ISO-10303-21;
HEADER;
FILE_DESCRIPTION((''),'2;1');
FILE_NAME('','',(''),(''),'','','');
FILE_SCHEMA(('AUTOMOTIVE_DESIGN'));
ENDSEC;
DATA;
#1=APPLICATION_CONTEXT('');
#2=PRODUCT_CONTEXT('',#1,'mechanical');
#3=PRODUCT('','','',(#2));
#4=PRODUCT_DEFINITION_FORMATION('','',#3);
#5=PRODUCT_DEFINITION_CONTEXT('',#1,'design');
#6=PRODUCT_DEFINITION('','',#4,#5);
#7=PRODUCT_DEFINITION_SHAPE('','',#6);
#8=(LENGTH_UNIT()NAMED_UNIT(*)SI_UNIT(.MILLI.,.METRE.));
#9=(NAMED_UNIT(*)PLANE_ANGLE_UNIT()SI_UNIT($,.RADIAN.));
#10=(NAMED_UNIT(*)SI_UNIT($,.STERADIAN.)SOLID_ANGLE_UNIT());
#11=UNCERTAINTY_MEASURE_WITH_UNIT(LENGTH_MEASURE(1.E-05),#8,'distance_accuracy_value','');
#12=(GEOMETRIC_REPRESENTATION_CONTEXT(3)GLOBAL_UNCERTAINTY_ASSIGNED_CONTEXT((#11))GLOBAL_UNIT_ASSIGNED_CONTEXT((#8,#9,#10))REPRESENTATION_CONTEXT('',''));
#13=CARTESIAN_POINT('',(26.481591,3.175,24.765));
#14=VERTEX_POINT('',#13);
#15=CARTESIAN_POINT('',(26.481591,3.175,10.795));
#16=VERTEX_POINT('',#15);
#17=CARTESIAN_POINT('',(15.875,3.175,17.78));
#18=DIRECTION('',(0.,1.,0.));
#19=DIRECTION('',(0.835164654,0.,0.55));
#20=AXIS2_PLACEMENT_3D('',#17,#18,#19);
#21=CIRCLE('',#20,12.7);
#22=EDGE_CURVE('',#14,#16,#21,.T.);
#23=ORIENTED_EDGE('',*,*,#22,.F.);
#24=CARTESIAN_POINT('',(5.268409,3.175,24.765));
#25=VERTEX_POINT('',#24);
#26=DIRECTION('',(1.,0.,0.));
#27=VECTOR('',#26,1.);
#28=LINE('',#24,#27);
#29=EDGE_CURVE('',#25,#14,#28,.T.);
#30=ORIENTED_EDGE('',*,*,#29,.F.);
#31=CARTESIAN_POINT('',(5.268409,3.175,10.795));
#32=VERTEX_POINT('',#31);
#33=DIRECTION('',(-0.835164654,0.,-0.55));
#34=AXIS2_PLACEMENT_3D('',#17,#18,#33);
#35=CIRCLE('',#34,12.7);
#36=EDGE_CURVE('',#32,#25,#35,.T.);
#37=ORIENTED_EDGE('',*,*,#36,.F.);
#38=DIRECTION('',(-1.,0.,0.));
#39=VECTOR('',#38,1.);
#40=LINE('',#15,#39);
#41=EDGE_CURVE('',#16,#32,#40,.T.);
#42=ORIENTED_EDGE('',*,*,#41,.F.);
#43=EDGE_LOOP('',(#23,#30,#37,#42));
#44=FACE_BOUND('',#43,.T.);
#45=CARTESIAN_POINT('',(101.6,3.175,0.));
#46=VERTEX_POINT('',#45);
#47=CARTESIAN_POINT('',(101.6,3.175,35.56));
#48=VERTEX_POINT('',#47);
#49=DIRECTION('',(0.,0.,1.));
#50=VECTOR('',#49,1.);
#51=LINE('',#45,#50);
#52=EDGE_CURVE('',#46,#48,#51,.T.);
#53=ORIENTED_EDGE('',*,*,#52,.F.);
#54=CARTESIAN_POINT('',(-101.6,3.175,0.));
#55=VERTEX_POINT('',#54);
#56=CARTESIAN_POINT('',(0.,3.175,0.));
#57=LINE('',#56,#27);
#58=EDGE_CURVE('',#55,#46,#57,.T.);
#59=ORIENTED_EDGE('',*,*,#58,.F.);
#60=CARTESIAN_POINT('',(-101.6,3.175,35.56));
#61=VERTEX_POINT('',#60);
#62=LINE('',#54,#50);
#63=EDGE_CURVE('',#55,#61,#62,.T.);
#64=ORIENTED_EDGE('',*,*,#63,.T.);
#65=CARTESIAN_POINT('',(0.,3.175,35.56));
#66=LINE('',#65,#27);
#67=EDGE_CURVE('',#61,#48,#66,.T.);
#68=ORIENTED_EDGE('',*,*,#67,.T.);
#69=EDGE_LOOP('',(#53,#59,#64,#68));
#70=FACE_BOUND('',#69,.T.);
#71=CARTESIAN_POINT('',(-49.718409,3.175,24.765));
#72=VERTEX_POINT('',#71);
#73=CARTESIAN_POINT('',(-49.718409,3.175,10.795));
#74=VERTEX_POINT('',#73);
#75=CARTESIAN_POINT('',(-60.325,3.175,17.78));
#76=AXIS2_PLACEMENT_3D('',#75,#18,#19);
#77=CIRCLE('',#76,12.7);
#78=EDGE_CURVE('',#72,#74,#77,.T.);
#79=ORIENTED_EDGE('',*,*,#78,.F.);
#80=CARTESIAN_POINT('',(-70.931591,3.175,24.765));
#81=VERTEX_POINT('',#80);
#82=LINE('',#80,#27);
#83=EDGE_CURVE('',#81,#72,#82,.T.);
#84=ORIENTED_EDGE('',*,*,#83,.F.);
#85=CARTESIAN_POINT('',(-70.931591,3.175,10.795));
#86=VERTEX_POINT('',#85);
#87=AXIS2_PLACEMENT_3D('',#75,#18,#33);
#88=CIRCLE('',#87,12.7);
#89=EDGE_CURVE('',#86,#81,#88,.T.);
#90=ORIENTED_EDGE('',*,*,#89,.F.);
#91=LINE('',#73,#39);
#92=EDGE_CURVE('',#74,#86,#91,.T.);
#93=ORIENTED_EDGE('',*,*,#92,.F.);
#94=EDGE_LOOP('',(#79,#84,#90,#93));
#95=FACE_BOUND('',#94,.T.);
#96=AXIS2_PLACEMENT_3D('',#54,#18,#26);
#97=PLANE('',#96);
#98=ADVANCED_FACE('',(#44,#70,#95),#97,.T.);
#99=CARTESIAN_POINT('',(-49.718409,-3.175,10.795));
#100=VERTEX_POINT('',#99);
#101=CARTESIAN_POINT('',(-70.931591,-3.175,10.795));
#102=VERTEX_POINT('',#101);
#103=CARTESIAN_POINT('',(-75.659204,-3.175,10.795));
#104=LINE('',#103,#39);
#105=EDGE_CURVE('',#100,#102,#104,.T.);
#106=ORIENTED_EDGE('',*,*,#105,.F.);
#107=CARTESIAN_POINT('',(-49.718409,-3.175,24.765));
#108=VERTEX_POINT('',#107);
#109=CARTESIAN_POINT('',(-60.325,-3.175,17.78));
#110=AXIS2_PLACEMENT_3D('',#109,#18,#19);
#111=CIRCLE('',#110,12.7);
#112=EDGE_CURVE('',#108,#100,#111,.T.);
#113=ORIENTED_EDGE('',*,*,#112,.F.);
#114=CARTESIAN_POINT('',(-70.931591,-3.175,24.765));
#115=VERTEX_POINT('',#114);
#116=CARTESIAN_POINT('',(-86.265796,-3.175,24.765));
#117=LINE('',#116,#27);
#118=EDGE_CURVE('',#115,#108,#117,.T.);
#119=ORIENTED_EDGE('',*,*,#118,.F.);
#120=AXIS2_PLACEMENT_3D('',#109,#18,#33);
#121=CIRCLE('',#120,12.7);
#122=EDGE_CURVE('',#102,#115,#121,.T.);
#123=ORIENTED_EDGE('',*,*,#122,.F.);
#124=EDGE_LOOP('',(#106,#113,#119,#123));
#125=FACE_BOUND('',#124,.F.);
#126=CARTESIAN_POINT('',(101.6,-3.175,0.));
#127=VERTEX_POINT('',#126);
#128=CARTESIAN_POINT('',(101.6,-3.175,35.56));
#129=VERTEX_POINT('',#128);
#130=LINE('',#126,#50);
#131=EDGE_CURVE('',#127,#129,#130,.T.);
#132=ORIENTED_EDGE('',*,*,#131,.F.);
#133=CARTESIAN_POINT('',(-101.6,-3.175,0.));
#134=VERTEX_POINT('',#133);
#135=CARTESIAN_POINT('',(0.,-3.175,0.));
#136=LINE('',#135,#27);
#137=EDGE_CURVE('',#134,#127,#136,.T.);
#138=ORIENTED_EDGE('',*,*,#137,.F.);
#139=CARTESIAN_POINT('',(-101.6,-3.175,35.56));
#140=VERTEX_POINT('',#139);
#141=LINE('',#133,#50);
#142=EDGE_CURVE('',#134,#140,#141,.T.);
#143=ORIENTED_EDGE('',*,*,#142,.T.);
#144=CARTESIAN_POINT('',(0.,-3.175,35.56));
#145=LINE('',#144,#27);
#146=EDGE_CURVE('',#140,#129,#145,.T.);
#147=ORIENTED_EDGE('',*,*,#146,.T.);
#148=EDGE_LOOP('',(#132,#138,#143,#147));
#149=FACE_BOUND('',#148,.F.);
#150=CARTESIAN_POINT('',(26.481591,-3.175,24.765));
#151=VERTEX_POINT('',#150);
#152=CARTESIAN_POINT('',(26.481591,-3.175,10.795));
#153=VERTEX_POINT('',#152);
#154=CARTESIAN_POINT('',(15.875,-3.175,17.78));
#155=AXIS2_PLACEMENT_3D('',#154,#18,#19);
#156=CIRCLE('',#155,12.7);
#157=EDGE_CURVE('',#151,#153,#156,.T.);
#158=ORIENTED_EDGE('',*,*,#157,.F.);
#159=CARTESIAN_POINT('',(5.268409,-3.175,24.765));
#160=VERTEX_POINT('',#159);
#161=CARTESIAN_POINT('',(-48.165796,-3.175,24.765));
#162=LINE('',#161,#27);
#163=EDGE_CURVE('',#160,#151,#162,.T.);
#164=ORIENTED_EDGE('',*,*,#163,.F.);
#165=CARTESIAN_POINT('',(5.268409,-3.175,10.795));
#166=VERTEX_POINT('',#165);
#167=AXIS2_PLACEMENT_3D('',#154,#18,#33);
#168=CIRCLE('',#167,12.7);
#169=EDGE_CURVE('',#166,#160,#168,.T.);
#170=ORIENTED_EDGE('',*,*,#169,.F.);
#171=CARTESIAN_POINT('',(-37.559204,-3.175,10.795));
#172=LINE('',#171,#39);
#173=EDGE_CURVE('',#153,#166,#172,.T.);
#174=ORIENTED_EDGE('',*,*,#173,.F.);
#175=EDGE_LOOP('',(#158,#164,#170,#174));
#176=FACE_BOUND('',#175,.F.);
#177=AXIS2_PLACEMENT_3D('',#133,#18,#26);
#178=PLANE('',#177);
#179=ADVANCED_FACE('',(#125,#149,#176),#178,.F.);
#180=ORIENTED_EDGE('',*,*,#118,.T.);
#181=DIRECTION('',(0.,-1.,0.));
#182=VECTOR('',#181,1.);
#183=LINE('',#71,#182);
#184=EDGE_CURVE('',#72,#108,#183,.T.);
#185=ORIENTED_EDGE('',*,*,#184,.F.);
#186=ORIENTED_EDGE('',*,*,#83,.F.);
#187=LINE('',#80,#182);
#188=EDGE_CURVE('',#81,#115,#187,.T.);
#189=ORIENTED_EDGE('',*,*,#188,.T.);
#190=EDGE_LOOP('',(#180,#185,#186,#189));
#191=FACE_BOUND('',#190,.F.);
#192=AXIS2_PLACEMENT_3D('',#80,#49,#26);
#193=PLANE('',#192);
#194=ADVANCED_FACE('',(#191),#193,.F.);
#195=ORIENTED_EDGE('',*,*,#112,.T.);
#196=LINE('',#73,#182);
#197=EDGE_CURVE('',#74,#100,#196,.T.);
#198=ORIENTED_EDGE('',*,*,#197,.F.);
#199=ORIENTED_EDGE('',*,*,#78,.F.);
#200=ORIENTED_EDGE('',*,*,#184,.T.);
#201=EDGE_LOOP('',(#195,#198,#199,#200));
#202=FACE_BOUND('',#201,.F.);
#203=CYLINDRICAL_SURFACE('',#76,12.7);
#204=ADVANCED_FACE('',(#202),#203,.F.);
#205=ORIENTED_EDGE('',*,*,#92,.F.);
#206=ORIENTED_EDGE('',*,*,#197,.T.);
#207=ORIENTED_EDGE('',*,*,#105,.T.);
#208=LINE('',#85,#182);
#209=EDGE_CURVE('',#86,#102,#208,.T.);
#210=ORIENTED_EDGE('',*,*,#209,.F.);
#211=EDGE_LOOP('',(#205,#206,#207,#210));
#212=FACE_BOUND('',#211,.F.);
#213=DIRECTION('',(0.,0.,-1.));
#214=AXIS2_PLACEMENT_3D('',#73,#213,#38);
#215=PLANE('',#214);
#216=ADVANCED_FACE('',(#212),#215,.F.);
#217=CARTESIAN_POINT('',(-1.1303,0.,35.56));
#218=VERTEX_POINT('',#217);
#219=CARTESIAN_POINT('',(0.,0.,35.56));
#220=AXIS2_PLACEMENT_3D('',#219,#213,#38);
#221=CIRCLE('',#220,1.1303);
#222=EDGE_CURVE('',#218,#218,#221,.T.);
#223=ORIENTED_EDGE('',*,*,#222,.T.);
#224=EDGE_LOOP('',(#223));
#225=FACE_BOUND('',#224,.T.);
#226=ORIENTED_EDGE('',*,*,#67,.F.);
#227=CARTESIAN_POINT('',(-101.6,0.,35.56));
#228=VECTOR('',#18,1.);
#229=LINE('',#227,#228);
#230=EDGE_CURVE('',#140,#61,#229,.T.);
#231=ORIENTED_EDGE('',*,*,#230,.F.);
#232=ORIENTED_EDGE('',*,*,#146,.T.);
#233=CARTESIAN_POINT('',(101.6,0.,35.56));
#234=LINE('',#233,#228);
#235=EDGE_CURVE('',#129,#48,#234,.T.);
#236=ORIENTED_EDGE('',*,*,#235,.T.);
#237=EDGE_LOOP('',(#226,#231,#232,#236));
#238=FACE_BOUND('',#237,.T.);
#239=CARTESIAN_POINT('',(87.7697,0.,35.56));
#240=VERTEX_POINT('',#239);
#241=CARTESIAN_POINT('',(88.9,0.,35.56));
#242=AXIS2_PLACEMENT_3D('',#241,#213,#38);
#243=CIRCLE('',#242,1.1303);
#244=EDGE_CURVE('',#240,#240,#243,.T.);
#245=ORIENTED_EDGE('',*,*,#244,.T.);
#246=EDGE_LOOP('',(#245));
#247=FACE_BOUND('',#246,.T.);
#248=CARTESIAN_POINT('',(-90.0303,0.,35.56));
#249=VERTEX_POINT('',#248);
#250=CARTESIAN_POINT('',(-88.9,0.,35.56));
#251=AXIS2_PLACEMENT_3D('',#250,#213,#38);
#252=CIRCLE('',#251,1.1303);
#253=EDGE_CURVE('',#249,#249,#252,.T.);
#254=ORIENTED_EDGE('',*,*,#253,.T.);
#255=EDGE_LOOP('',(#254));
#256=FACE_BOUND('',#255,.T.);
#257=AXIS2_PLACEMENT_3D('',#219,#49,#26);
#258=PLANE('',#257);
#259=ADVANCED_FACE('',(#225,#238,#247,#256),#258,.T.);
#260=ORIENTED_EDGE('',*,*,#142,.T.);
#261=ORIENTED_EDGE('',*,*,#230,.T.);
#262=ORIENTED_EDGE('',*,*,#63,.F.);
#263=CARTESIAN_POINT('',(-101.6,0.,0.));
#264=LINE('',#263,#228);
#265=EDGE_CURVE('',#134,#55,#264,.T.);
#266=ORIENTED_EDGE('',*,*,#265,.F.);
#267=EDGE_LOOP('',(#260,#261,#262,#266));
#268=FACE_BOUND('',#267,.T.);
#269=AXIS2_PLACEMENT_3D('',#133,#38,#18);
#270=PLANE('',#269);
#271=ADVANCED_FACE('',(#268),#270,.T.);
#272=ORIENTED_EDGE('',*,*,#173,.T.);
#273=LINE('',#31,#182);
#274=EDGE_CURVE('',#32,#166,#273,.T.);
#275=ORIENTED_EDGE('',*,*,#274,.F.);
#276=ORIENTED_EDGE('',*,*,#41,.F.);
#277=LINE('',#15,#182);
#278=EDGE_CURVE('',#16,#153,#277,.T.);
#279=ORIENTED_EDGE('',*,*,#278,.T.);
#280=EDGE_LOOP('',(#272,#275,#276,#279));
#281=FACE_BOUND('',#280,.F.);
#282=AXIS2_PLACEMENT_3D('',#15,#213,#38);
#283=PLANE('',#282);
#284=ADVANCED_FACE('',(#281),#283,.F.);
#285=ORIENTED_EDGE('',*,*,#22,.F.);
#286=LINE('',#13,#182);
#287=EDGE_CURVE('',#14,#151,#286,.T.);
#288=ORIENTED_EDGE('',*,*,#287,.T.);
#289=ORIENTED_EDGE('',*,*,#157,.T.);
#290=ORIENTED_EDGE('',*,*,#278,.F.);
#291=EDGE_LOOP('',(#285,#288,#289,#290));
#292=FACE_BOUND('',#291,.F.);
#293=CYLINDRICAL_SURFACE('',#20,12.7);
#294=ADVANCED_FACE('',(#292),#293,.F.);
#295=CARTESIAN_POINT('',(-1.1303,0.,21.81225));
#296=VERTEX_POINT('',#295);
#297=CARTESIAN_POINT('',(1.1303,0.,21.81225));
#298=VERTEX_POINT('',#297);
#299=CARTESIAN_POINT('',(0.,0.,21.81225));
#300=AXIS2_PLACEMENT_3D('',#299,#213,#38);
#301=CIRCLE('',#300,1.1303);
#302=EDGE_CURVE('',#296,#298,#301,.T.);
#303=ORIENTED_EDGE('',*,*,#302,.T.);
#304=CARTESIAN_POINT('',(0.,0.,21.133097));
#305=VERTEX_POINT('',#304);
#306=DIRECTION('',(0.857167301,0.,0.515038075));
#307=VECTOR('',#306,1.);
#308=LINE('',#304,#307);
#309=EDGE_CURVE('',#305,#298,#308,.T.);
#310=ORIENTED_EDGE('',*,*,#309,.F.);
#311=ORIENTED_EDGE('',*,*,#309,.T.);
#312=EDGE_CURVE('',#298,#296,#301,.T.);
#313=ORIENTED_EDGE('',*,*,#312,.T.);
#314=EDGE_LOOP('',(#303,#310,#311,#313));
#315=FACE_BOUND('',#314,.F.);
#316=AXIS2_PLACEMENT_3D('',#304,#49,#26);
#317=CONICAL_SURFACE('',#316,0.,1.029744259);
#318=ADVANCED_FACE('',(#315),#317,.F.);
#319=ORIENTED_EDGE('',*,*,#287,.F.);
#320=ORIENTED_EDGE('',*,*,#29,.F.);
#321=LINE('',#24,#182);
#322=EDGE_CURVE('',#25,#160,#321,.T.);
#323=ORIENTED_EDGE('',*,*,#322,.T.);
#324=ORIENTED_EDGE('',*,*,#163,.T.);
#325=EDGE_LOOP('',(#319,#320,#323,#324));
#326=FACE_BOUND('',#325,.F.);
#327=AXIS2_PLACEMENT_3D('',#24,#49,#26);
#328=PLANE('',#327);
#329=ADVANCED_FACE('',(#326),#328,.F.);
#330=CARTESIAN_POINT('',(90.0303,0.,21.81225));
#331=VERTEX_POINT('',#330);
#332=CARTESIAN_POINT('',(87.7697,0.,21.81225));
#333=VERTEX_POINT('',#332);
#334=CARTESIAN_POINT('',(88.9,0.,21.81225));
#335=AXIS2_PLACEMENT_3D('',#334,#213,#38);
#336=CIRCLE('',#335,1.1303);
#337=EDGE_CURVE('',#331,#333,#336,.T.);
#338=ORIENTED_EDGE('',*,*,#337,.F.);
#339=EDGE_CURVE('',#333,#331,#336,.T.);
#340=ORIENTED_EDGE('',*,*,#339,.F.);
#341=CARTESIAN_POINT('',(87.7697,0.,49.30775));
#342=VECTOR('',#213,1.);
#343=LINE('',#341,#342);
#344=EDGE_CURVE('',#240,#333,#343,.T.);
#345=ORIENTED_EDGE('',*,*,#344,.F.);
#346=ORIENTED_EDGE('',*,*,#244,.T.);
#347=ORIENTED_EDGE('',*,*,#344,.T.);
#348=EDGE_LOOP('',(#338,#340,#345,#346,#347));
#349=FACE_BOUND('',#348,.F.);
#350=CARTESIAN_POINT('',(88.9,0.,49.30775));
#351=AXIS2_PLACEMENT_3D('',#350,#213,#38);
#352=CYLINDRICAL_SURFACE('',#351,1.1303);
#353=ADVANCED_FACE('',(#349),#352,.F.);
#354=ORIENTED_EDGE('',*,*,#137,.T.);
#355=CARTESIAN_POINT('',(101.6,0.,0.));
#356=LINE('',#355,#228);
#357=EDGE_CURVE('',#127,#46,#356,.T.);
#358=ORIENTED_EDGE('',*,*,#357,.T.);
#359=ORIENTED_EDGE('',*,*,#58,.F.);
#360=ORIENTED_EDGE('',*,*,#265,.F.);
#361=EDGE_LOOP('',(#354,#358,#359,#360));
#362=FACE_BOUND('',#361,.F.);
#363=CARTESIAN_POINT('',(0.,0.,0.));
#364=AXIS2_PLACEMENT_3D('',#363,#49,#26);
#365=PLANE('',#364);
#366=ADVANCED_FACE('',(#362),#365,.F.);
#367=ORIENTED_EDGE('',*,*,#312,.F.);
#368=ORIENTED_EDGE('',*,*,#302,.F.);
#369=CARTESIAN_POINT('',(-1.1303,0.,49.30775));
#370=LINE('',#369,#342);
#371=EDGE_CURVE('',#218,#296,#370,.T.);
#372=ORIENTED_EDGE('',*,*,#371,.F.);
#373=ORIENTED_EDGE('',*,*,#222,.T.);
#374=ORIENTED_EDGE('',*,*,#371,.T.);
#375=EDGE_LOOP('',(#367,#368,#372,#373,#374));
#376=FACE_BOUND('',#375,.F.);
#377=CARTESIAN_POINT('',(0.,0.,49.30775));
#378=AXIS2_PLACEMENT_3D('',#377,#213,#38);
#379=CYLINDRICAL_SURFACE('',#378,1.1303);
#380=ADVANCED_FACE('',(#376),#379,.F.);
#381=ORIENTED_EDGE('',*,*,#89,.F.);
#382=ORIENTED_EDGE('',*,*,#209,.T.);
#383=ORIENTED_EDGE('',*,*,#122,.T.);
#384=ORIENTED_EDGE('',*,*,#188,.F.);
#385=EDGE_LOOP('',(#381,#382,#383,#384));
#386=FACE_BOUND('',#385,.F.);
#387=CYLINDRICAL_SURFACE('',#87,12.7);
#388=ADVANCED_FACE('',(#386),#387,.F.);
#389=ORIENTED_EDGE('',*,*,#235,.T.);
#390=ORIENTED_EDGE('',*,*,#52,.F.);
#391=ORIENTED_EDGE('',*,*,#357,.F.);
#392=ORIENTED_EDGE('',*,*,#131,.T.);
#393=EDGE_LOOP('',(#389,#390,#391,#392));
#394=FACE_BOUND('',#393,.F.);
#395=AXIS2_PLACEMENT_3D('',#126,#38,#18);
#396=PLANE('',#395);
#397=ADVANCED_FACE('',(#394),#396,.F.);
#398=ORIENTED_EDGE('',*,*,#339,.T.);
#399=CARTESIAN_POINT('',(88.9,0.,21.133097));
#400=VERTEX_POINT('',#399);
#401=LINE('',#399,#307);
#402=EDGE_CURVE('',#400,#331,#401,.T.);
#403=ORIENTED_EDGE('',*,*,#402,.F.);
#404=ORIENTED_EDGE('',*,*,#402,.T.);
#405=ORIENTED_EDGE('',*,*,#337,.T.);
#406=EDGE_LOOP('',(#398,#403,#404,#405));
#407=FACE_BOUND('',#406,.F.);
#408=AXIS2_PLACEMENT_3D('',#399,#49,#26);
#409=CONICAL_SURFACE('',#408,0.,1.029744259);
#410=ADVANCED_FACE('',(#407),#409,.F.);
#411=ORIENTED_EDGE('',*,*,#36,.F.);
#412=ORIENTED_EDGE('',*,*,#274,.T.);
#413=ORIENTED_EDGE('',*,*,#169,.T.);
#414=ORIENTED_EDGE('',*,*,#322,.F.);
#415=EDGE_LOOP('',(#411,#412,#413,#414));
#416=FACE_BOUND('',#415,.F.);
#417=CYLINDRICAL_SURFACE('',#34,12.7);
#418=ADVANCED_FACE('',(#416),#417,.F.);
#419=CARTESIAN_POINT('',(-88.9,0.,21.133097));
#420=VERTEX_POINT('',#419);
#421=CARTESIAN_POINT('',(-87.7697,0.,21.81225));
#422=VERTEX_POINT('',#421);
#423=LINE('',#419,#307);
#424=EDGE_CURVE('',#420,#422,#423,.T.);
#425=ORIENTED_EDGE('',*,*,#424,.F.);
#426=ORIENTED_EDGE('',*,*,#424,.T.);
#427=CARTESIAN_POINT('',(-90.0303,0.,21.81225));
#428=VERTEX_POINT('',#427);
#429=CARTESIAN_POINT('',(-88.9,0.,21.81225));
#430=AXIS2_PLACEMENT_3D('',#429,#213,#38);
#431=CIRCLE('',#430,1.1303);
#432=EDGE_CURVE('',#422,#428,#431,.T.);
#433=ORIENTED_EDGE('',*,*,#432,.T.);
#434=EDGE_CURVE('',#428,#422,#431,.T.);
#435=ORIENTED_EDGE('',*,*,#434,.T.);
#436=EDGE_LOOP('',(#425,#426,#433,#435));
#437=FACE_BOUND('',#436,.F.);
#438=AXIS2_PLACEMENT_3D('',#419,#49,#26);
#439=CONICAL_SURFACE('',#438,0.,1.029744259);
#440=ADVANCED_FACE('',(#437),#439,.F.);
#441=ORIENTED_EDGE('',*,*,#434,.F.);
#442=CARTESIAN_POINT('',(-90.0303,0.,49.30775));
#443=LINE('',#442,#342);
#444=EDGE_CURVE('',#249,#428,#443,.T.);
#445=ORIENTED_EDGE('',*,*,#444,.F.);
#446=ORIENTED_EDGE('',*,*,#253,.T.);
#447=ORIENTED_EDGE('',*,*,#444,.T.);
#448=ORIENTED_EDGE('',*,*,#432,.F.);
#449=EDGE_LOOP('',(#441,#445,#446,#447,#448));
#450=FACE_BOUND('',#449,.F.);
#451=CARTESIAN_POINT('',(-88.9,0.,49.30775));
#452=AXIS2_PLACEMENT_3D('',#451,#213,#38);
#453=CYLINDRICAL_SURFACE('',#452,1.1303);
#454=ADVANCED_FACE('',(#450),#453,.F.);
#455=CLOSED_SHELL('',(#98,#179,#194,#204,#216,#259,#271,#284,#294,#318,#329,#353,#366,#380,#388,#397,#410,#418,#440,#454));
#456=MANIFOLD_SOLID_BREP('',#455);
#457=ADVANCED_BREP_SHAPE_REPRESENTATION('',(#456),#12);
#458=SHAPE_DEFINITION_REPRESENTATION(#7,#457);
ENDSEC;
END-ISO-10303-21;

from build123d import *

# Parameters (mm, degrees)
F0_W     = 203.2
F0_H     = 6.35
F1_DEPTH = 35.56
F3_D     = 2.2606
F3_DEPTH = 13.74775
F3_TIP   = 0.6791527577
F5_DEPTH = 6.351


with BuildPart() as f1:
    # F0 (on Top) → F1 (new body)
    with BuildSketch(Plane.XY):
        Rectangle(F0_W, F0_H)
    extrude(amount=F1_DEPTH)

    # F3
    with Locations(Plane.XY.offset(35.56)):
        with Locations((0, 0), (88.9, 0), (-88.9, 0)):
            Hole(F3_D / 2, depth=F3_DEPTH)
            with Locations((0, 0, -(F3_DEPTH + F3_TIP / 2))):  # 118° drill point
                Cone(0, F3_D / 2, F3_TIP, mode=Mode.SUBTRACT)

    # F4 (on face) → F5 (cut, through all)
    with BuildSketch(Plane(origin=(0, 3.175, 0), x_dir=(-1, 0, 0), z_dir=(0, 1, 0))):
        with BuildLine():
            Line((70.9315911112, 24.765), (49.7184088888, 24.765))
            ThreePointArc((49.7184088888, 24.765), (47.625, 17.78), (49.7184088888, 10.795))
            Line((49.7184088888, 10.795), (70.9315911112, 10.795))
            ThreePointArc((70.9315911112, 10.795), (73.025, 17.78), (70.9315911112, 24.765))
        make_face()
        with BuildLine():
            Line((-26.4815911112, 10.795), (-5.2684088888, 10.795))
            ThreePointArc((-5.2684088888, 10.795), (-3.175, 17.78), (-5.2684088888, 24.765))
            Line((-5.2684088888, 24.765), (-26.4815911112, 24.765))
            ThreePointArc((-26.4815911112, 24.765), (-28.575, 17.78), (-26.4815911112, 10.795))
        make_face()
    extrude(amount=-F5_DEPTH, mode=Mode.SUBTRACT)


solid = f1.part
